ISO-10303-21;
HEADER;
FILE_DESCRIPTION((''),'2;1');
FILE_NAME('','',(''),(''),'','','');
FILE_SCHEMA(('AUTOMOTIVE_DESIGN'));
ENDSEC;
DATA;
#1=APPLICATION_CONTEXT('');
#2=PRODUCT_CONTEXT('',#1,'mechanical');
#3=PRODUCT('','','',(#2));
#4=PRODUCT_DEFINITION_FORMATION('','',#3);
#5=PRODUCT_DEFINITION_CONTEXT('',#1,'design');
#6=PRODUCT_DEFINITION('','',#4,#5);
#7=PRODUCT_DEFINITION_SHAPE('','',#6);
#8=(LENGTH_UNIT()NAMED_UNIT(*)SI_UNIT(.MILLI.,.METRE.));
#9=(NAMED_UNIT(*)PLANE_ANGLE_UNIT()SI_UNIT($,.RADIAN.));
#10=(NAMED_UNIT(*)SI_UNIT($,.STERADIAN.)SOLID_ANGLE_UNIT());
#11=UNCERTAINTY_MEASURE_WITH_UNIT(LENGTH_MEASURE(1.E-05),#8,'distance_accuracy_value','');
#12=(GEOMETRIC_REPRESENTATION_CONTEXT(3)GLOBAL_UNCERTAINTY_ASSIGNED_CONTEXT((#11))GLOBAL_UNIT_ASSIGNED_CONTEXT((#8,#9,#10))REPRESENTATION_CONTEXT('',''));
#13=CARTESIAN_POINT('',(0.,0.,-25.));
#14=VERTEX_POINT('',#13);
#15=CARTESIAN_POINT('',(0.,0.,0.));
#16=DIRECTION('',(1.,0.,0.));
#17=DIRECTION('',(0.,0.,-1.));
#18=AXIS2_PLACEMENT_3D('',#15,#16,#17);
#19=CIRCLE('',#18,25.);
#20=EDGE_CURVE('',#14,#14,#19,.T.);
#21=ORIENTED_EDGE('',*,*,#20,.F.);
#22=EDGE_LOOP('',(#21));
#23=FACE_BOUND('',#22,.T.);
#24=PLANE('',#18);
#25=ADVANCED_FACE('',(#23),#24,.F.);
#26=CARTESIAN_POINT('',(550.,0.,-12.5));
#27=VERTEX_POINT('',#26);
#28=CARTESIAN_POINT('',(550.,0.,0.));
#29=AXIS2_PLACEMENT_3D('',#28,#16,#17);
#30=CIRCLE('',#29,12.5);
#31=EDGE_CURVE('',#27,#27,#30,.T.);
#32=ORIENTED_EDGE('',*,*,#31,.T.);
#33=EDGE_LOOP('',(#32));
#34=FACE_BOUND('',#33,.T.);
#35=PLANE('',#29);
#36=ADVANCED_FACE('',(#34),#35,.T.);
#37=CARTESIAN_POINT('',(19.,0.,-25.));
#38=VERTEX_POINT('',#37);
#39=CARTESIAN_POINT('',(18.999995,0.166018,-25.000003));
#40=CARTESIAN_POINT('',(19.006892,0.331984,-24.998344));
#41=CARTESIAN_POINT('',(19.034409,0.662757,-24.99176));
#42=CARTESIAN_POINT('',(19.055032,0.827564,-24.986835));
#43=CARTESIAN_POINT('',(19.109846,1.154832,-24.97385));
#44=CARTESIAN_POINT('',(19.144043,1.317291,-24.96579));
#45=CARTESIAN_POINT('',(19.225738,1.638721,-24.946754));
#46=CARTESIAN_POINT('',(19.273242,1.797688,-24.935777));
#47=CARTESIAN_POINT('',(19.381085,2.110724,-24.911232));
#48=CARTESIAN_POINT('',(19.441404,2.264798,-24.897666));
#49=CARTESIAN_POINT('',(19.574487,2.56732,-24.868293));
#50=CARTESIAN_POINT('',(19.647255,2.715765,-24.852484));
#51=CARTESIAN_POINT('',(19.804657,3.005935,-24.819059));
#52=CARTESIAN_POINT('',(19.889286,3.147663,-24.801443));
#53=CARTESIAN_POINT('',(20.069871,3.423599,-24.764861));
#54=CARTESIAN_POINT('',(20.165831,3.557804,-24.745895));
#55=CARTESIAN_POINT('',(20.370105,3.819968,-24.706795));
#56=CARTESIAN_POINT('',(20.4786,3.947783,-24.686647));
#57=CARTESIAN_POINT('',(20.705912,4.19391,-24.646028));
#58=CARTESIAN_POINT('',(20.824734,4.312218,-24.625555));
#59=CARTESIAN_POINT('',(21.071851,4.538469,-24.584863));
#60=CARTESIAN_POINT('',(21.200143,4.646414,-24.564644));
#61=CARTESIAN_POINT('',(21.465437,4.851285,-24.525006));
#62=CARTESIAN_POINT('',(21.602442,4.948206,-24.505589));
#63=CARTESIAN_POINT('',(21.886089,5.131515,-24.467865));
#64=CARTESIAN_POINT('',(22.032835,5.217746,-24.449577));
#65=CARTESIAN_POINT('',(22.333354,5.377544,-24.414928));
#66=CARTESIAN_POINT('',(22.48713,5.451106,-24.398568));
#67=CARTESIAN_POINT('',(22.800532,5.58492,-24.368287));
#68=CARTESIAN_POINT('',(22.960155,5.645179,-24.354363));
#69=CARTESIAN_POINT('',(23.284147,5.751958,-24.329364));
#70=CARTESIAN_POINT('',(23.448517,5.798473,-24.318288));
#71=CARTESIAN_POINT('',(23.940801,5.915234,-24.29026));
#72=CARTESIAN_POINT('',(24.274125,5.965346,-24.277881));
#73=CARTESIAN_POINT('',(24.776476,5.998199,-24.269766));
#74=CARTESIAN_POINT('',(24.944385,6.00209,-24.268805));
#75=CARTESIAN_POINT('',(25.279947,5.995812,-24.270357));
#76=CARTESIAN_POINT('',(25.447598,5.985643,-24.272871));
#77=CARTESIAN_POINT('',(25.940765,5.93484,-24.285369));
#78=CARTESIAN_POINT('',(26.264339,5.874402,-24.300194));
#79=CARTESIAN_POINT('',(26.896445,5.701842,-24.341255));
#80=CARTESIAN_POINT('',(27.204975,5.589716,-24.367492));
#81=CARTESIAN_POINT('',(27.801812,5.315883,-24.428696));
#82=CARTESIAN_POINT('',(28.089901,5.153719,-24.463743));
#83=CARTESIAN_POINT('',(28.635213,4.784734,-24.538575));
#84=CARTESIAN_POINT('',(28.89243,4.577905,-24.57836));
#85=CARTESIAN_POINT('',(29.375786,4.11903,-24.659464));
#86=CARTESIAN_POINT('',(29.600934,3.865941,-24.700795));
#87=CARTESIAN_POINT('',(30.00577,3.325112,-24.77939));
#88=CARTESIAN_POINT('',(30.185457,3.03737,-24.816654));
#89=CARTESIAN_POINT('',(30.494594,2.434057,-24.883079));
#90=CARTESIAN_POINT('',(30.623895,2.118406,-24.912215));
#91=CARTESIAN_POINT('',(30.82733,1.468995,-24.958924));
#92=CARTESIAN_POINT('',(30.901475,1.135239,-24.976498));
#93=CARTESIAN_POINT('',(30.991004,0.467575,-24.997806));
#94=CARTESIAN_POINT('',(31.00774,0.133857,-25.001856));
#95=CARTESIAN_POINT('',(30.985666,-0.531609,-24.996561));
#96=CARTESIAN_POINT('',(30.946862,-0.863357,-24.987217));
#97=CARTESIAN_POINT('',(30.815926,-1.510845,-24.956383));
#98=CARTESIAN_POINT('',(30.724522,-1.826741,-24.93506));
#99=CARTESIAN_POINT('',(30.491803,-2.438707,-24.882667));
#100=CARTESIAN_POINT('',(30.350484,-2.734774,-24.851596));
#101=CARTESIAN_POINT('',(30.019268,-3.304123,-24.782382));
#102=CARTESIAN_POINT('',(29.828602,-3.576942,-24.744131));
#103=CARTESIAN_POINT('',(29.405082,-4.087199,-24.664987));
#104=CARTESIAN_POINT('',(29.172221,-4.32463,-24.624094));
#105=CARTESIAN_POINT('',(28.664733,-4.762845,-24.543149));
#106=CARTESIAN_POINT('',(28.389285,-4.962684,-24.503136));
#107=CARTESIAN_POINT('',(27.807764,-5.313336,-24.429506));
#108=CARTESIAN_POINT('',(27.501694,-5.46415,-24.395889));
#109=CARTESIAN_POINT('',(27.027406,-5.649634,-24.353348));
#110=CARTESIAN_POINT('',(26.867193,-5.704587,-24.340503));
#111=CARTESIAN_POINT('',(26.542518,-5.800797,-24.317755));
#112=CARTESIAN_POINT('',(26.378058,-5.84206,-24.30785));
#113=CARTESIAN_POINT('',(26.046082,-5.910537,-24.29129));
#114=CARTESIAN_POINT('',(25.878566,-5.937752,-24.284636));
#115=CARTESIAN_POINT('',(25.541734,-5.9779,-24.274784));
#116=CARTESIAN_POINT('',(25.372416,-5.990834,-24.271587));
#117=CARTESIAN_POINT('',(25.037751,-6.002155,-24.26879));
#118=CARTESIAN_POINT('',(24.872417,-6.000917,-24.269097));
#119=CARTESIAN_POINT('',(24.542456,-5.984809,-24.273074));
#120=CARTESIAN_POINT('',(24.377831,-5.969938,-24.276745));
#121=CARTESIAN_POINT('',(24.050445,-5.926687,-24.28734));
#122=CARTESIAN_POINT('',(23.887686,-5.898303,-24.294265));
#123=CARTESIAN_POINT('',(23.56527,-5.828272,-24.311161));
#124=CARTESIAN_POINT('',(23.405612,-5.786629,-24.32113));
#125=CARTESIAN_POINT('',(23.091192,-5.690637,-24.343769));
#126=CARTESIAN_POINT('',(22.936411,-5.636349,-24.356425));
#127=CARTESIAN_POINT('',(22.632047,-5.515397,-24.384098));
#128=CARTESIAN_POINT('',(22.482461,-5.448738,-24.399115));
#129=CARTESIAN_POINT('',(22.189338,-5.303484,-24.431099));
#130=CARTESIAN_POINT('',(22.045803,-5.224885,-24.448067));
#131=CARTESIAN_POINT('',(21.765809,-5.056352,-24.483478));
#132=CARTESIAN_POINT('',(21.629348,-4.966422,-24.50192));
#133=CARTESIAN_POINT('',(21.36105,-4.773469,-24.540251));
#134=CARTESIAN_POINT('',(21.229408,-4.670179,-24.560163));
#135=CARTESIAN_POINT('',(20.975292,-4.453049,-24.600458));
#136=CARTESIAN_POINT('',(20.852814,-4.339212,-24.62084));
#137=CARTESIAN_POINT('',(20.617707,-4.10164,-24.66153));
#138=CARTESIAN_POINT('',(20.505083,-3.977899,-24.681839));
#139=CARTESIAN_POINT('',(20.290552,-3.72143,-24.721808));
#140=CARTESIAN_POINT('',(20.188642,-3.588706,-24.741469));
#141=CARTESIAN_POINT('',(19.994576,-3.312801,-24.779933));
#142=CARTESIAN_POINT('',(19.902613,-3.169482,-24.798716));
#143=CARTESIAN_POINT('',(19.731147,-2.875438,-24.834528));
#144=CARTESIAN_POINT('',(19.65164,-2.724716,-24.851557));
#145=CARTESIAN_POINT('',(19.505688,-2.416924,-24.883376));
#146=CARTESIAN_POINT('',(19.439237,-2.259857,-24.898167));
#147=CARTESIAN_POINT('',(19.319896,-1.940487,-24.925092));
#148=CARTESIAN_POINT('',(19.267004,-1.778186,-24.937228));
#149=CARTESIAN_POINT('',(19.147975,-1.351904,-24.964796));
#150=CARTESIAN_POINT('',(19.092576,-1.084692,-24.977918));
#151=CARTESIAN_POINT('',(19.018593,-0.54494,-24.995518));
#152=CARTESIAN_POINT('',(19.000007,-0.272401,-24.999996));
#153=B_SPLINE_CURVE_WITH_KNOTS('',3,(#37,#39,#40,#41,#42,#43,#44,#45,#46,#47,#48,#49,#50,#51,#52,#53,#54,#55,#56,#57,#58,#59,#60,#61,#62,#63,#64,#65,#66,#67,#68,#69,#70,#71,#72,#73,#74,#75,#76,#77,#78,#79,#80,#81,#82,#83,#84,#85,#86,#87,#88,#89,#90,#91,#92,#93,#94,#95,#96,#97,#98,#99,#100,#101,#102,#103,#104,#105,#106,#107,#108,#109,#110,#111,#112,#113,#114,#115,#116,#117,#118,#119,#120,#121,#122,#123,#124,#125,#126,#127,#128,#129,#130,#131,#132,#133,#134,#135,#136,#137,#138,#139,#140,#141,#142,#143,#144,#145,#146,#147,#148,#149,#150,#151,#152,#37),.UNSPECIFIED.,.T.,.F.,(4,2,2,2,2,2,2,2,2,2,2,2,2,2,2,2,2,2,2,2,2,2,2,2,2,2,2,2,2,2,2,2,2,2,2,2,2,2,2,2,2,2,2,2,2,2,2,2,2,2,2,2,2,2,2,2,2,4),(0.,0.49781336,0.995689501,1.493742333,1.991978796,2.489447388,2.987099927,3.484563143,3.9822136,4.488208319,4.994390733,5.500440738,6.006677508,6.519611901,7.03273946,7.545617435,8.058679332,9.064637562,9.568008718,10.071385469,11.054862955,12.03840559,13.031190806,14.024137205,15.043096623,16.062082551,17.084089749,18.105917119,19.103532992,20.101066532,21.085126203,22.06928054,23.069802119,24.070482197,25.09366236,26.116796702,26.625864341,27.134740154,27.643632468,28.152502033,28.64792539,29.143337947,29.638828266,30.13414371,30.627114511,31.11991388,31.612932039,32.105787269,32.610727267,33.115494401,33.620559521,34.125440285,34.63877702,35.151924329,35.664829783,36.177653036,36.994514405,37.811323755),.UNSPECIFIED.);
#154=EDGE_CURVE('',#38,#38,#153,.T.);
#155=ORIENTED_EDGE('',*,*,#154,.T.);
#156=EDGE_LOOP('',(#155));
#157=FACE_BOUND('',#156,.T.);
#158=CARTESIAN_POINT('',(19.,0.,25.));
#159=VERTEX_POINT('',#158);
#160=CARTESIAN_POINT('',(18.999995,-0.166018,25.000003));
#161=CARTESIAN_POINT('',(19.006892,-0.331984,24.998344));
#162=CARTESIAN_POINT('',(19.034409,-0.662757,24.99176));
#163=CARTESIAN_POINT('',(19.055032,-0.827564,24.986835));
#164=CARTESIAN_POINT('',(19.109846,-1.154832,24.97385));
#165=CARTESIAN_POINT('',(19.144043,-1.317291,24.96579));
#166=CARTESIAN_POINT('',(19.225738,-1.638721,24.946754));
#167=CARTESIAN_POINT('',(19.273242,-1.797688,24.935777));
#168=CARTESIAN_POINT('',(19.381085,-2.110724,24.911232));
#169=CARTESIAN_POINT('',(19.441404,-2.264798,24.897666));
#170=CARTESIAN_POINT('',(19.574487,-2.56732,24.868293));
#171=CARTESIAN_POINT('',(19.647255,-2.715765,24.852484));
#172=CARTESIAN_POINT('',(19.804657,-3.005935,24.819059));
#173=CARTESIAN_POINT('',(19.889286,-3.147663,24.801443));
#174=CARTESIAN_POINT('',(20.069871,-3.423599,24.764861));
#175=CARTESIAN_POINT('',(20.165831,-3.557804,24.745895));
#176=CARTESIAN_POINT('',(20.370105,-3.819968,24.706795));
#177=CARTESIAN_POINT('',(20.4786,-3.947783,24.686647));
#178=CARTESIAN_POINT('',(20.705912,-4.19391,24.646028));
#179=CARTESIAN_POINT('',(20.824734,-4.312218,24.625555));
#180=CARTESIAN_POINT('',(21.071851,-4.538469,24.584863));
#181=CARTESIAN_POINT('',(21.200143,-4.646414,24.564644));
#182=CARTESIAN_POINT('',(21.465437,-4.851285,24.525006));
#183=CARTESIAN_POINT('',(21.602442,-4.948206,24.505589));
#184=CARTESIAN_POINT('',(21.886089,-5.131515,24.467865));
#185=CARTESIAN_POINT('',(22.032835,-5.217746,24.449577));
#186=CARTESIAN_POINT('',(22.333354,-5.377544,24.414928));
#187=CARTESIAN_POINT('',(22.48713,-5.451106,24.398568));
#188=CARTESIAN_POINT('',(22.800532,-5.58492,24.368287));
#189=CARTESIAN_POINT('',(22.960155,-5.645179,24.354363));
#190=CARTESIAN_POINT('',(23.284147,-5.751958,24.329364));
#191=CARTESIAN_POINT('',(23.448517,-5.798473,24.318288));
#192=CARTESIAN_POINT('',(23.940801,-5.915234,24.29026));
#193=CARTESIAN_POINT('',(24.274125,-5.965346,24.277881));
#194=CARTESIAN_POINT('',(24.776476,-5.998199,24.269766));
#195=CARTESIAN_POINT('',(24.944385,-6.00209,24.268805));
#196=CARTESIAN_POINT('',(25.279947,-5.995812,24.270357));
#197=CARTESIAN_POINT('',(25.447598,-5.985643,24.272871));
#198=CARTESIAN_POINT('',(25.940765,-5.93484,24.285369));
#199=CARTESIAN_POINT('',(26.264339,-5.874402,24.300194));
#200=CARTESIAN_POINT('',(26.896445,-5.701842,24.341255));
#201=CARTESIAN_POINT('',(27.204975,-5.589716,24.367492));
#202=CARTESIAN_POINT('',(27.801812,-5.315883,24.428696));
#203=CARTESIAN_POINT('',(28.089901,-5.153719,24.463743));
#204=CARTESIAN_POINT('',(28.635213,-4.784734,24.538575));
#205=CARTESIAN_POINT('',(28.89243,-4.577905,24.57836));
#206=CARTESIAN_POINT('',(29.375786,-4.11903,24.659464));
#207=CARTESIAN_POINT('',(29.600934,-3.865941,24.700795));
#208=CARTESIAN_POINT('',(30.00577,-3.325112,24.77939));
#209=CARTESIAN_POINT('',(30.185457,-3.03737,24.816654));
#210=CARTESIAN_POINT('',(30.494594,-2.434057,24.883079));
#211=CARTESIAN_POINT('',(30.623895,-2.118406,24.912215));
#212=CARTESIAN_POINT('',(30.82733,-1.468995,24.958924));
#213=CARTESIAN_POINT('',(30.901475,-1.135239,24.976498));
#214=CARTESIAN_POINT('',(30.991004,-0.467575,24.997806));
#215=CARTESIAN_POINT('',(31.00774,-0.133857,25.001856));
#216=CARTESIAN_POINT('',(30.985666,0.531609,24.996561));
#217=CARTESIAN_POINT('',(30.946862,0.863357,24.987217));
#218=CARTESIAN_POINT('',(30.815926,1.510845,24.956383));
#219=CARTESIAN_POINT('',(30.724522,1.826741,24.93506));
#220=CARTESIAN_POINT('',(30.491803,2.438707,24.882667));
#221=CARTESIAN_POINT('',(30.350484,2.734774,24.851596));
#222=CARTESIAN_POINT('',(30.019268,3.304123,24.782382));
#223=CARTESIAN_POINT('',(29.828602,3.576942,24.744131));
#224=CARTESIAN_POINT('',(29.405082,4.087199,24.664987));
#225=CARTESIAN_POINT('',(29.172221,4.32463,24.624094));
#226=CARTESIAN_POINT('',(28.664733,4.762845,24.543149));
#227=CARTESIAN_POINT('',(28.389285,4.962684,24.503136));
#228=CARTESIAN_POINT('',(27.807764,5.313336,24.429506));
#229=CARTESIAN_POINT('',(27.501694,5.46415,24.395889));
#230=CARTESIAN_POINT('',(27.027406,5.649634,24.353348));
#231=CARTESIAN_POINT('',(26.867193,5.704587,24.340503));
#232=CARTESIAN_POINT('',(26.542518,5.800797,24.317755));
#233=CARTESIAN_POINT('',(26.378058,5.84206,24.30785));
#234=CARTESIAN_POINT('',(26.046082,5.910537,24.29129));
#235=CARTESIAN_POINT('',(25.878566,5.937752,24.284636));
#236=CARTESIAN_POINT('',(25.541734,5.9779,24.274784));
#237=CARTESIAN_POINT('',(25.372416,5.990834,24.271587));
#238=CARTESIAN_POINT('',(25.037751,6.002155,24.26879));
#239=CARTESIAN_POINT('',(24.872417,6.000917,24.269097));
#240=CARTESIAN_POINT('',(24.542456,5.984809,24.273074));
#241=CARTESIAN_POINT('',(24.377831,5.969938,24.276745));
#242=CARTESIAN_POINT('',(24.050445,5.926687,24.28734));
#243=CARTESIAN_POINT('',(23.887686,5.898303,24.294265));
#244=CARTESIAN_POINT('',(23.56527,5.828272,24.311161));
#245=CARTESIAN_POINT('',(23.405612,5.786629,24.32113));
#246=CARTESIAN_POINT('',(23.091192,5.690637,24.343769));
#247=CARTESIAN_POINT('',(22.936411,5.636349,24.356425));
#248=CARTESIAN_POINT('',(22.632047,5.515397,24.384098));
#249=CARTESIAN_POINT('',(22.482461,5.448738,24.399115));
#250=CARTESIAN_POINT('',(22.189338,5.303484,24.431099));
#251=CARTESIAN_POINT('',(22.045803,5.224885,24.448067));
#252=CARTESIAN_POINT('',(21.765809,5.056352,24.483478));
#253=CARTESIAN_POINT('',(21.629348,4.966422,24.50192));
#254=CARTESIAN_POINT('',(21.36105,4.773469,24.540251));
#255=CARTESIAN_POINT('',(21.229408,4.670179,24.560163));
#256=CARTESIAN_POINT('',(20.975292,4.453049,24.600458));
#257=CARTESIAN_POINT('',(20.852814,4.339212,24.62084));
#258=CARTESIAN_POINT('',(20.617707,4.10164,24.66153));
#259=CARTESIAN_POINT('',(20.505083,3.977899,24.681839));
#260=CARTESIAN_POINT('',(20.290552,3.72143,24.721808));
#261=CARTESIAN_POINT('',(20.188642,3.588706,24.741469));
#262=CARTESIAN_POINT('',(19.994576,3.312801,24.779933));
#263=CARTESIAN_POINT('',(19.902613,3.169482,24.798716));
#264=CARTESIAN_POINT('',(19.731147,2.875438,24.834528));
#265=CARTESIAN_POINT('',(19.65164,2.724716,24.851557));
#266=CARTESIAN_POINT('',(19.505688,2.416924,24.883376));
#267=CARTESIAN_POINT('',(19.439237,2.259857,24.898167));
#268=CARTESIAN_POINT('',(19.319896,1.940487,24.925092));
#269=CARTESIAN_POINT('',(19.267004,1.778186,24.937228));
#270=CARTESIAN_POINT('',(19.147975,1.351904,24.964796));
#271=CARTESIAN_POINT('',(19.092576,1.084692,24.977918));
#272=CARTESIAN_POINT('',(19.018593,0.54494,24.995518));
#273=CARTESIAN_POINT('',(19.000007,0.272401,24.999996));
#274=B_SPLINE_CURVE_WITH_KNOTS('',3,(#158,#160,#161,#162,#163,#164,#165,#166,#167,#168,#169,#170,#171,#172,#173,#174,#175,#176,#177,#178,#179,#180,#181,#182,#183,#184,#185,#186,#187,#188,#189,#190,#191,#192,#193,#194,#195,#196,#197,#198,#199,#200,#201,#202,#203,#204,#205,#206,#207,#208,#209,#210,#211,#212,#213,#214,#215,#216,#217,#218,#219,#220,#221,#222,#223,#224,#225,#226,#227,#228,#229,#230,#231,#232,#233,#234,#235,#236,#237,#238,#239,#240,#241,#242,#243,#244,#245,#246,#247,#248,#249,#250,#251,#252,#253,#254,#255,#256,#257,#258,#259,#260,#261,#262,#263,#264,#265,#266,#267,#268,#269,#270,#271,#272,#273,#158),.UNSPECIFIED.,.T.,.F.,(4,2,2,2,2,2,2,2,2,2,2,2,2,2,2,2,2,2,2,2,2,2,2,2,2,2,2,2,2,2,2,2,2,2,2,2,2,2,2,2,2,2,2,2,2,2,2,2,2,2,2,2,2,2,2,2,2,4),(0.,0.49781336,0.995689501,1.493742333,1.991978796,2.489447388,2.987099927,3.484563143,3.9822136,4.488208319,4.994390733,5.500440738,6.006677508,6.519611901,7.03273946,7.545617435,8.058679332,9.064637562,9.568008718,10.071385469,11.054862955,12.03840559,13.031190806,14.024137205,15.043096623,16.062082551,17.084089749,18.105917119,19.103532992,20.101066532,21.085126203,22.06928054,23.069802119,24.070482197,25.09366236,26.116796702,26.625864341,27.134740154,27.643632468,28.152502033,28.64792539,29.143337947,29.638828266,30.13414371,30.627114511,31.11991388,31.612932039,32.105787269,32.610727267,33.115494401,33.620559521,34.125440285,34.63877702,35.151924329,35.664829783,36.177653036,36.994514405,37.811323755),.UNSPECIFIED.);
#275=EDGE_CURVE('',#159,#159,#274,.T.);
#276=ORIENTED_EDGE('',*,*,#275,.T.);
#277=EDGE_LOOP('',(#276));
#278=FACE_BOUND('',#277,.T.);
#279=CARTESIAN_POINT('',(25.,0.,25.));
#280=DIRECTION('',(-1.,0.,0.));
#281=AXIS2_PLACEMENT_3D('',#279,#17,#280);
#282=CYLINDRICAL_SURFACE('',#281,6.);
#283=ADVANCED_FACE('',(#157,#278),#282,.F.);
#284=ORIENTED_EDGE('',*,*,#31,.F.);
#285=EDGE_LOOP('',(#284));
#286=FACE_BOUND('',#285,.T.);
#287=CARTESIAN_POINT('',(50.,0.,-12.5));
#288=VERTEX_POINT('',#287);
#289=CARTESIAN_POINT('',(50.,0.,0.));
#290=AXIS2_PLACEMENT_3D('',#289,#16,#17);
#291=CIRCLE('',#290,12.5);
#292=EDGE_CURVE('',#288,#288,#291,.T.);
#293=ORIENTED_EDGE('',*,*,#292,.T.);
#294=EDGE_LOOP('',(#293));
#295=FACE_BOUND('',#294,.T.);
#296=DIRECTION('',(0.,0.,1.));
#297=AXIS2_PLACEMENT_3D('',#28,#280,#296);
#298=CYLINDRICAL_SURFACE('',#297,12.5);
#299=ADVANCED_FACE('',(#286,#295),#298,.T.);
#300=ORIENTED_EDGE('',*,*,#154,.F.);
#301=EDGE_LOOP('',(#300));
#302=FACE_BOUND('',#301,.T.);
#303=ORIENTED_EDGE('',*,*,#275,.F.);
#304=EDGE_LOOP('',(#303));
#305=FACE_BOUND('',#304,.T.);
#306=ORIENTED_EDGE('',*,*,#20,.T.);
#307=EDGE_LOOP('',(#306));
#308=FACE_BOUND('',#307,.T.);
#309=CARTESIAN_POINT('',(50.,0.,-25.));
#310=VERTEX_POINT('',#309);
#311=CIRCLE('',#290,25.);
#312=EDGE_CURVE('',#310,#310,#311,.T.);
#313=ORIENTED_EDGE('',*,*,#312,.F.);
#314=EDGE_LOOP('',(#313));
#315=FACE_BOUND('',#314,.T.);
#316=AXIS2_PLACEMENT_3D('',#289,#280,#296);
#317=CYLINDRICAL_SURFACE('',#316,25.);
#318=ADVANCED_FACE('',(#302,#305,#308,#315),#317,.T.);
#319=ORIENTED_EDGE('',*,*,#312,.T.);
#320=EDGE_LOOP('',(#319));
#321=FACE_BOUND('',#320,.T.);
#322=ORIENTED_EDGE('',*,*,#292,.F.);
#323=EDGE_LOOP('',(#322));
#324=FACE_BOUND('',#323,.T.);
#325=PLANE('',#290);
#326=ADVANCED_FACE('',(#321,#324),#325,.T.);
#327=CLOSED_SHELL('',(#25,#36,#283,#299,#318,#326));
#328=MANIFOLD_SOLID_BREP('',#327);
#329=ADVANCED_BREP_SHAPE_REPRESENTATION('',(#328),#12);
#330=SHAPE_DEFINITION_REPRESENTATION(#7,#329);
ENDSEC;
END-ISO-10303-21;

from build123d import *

# Parameters (mm, degrees)
SKETCH1_R               = 25
BOSS_EXTRUDE1_DEPTH     = 50
SKETCH2_R               = 6
CUT_EXTRUDE1_DEPTH      = 26
CUT_EXTRUDE1_DEPTH_BACK = 60
SKETCH3_R               = 12.5
BOSS_EXTRUDE2_DEPTH     = 500


with BuildPart() as part:
    # Sketch1 → Boss-Extrude1 (new body)
    with BuildSketch(Plane(origin=(0, 0, 0), x_dir=(0, 0, -1), z_dir=(1, 0, 0))):
        Circle(SKETCH1_R)
    extrude(amount=BOSS_EXTRUDE1_DEPTH)

    # Sketch2 → Cut-Extrude1 (cut, two sides)
    with BuildSketch(Plane.XY) as cut_extrude1_sk:
        with Locations((25, 0)):
            Circle(SKETCH2_R)
    extrude(amount=CUT_EXTRUDE1_DEPTH, mode=Mode.SUBTRACT)
    extrude(cut_extrude1_sk.sketch, amount=-CUT_EXTRUDE1_DEPTH_BACK, mode=Mode.SUBTRACT)

    # Sketch3 → Boss-Extrude2 (add)
    with BuildSketch(Plane(origin=(50, 0, 0), x_dir=(0, 0, -1), z_dir=(1, 0, 0))):
        Circle(SKETCH3_R)
    extrude(amount=BOSS_EXTRUDE2_DEPTH)


solid = part.part
